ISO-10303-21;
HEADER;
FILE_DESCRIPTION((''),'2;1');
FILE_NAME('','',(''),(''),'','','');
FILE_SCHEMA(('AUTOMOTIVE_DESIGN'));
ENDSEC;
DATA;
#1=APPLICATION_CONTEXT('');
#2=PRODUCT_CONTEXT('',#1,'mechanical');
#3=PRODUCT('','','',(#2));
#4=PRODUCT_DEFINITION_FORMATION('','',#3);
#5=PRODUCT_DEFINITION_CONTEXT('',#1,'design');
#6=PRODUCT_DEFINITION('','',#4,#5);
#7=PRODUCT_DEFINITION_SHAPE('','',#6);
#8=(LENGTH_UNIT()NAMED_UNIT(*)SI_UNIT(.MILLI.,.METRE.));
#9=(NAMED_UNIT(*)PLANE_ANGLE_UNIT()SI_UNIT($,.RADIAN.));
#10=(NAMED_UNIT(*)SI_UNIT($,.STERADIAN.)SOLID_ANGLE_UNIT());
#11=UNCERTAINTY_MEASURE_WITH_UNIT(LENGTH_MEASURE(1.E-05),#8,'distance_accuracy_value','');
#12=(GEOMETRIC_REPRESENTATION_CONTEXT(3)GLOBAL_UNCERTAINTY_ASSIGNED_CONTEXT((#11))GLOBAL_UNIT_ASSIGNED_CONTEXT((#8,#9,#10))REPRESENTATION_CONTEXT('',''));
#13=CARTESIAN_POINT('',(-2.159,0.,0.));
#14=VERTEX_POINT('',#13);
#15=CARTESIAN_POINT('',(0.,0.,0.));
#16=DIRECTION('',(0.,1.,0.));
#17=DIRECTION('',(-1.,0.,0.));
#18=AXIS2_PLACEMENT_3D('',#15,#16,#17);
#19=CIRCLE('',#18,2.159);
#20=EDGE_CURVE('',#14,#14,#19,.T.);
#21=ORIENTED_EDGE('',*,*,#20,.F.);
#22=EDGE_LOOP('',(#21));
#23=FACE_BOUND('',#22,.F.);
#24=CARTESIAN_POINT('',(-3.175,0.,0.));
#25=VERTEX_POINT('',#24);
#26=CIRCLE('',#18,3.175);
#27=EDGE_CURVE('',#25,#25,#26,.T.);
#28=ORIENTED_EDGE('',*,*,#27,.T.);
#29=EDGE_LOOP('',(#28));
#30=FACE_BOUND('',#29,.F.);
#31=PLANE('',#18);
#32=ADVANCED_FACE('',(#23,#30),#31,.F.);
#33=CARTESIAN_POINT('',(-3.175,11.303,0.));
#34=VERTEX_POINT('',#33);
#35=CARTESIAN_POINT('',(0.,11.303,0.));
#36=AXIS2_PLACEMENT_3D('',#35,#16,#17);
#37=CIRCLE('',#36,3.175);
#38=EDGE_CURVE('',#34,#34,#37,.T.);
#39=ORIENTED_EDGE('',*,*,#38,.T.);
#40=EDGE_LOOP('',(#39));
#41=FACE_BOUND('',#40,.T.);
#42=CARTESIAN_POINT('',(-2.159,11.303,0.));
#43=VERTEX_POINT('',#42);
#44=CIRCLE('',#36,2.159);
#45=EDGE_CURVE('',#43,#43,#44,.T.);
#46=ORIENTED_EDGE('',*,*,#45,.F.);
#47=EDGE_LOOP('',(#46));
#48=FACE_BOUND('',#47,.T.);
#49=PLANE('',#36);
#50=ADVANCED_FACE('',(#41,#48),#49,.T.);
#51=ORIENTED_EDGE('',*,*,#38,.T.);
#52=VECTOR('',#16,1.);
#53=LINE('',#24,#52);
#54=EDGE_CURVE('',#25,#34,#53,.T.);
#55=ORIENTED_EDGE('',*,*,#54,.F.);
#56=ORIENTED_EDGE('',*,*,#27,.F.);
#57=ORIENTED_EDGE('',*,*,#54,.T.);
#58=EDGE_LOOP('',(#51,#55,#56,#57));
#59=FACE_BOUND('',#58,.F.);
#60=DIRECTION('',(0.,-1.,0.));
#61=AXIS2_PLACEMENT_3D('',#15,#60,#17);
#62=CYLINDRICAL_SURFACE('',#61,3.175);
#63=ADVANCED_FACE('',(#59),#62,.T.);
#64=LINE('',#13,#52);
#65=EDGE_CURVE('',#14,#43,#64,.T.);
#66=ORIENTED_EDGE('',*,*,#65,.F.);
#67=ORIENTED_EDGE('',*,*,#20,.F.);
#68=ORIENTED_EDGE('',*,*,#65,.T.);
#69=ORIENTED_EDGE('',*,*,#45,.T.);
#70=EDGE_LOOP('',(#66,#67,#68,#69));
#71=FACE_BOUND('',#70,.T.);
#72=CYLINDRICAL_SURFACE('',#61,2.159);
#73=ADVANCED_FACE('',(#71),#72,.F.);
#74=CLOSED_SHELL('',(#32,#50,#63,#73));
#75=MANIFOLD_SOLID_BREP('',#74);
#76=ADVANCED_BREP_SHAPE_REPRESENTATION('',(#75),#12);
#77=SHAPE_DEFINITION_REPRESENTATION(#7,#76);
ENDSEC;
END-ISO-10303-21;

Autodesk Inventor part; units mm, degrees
ref_plane "YZ Plane" through (0, 0, 0) normal (1, 0, 0) x (0, 1, 0)
ref_plane "XZ Plane" through (0, 0, 0) normal (0, 1, 0) x (-1, 0, 0)
ref_plane "XY Plane" through (0, 0, 0) normal (0, 0, 1) x (1, 0, 0)
sketch "Sketch1" plane through (0, 0, 0) normal (0, 1, 0) x (-1, 0, 0)
  circle A0 centre (0, 0) radius 3.175
  circle A1 centre (0, 0) radius 2.159
  dimension "d0" = 6.35
  dimension "d1" = 4.318
extrude "Extrusion1" add sketch "Sketch1" along normal blind 11.303
properties part number ".445 1-2 OD"
